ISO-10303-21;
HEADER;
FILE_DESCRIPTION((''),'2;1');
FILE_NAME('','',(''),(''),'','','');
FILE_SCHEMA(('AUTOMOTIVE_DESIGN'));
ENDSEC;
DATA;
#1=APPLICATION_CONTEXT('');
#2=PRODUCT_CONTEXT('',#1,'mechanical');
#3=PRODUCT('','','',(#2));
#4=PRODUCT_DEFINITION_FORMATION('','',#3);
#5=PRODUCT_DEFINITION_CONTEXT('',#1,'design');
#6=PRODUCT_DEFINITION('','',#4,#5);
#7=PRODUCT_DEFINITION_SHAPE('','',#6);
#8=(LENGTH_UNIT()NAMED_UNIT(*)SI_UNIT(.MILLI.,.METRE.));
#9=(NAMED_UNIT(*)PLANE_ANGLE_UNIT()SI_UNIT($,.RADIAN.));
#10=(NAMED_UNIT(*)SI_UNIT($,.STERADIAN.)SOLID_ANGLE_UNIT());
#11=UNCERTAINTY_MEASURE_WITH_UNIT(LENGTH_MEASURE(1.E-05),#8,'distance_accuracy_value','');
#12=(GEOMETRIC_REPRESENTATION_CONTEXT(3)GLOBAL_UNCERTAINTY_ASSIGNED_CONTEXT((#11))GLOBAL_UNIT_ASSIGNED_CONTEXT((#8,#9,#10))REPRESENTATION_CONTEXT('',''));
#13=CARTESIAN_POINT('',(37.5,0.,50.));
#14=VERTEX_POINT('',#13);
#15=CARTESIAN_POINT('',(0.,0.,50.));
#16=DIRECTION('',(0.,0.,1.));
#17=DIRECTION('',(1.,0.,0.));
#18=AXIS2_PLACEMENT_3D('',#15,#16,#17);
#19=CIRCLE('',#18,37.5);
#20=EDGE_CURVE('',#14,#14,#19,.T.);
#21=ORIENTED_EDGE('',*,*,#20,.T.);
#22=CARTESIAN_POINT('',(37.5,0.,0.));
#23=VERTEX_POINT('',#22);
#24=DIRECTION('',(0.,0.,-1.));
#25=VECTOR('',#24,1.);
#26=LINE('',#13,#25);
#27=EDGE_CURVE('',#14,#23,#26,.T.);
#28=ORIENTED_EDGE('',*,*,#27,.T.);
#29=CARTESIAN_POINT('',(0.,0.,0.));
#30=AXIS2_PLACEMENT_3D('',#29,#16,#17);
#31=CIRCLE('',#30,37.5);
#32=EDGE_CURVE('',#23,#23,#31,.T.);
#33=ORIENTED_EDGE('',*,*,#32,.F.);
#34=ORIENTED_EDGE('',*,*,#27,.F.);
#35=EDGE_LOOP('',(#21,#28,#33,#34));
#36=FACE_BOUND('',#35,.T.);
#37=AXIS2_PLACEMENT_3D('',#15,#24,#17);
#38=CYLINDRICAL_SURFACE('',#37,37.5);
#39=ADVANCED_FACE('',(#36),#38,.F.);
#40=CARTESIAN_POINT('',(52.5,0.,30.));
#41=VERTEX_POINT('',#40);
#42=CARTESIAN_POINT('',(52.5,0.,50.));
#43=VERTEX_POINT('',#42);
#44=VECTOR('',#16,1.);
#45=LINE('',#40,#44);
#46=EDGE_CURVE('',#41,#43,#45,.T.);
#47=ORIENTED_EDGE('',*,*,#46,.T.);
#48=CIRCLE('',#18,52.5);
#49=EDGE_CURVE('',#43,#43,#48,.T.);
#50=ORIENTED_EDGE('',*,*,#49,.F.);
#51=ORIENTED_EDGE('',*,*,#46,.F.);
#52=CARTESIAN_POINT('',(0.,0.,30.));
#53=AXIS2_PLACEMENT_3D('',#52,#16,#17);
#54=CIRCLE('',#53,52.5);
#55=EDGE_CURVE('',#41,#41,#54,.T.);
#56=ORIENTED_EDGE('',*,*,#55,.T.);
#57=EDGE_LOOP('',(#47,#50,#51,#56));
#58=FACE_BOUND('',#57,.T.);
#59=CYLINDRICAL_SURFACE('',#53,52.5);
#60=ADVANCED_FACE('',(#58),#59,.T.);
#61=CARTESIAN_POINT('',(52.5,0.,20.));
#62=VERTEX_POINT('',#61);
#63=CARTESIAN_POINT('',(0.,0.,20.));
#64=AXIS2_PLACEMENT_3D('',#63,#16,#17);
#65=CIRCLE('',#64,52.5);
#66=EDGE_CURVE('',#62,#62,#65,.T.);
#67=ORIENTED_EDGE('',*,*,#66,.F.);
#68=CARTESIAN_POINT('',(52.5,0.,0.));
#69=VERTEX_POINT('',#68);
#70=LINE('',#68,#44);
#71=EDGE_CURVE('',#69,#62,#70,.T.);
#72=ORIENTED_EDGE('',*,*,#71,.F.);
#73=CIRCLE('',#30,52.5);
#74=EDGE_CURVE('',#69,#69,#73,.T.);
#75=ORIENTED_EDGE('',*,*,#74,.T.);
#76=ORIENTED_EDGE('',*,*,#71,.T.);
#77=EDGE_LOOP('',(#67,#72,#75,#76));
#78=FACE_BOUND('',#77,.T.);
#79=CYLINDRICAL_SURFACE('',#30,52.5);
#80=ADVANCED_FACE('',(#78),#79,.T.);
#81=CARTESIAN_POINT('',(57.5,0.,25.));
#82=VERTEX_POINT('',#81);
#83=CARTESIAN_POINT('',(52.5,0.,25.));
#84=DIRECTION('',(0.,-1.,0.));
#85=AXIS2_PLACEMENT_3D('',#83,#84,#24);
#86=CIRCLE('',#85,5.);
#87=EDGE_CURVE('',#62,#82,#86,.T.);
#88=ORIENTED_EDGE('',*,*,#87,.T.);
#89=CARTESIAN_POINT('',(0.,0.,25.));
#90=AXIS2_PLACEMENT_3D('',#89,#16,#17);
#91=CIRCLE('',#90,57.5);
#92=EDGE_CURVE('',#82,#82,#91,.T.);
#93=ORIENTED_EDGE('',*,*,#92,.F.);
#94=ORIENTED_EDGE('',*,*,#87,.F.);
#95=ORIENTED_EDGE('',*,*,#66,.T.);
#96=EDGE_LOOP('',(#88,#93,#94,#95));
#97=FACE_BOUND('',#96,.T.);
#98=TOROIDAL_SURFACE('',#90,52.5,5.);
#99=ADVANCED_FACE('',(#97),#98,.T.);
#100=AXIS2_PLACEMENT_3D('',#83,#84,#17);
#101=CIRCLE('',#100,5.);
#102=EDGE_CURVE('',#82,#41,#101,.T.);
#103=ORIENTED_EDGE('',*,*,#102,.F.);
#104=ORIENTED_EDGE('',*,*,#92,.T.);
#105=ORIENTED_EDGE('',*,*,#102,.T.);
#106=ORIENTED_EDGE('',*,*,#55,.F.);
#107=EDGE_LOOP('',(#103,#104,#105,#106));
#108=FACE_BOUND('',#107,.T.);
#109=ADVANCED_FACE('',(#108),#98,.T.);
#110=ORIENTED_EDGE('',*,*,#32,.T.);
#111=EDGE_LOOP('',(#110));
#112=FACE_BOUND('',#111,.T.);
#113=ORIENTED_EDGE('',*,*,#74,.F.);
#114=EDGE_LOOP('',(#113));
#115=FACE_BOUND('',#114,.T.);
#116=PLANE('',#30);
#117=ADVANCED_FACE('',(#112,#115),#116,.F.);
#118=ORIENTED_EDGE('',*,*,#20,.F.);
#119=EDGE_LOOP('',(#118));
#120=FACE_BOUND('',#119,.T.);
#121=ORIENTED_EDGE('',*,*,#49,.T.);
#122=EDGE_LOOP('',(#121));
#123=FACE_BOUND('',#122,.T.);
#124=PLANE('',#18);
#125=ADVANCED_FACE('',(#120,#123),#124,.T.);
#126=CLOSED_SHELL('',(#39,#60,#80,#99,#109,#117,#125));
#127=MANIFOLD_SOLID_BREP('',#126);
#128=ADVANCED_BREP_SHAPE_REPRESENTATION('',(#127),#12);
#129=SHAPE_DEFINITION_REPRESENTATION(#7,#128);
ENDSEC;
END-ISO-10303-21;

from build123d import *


with BuildPart() as f1:
    # F0 (on Front) → F1 (revolve)
    with BuildSketch(Plane.XZ):
        with BuildLine():
            Line((37.5, 50), (37.5, 0))
            Line((37.5, 0), (52.5, 0))
            Line((52.5, 0), (52.5, 20))
            ThreePointArc((52.5, 20), (47.5, 25), (52.5, 30))
            Line((52.5, 30), (52.5, 50))
            Line((52.5, 50), (37.5, 50))
        make_face()
        with BuildLine():
            Line((52.5, 30), (52.5, 20))
            ThreePointArc((52.5, 20), (56.0355339059, 21.4644660941), (57.5, 25))
            ThreePointArc((57.5, 25), (56.0355339059, 28.5355339059), (52.5, 30))
        make_face()
        with BuildLine():
            ThreePointArc((52.5, 30), (47.5, 25), (52.5, 20))
            Line((52.5, 20), (52.5, 30))
        make_face()
    revolve(axis=Axis((0, 0, 25), (0, 0, 1)))


solid = f1.part
